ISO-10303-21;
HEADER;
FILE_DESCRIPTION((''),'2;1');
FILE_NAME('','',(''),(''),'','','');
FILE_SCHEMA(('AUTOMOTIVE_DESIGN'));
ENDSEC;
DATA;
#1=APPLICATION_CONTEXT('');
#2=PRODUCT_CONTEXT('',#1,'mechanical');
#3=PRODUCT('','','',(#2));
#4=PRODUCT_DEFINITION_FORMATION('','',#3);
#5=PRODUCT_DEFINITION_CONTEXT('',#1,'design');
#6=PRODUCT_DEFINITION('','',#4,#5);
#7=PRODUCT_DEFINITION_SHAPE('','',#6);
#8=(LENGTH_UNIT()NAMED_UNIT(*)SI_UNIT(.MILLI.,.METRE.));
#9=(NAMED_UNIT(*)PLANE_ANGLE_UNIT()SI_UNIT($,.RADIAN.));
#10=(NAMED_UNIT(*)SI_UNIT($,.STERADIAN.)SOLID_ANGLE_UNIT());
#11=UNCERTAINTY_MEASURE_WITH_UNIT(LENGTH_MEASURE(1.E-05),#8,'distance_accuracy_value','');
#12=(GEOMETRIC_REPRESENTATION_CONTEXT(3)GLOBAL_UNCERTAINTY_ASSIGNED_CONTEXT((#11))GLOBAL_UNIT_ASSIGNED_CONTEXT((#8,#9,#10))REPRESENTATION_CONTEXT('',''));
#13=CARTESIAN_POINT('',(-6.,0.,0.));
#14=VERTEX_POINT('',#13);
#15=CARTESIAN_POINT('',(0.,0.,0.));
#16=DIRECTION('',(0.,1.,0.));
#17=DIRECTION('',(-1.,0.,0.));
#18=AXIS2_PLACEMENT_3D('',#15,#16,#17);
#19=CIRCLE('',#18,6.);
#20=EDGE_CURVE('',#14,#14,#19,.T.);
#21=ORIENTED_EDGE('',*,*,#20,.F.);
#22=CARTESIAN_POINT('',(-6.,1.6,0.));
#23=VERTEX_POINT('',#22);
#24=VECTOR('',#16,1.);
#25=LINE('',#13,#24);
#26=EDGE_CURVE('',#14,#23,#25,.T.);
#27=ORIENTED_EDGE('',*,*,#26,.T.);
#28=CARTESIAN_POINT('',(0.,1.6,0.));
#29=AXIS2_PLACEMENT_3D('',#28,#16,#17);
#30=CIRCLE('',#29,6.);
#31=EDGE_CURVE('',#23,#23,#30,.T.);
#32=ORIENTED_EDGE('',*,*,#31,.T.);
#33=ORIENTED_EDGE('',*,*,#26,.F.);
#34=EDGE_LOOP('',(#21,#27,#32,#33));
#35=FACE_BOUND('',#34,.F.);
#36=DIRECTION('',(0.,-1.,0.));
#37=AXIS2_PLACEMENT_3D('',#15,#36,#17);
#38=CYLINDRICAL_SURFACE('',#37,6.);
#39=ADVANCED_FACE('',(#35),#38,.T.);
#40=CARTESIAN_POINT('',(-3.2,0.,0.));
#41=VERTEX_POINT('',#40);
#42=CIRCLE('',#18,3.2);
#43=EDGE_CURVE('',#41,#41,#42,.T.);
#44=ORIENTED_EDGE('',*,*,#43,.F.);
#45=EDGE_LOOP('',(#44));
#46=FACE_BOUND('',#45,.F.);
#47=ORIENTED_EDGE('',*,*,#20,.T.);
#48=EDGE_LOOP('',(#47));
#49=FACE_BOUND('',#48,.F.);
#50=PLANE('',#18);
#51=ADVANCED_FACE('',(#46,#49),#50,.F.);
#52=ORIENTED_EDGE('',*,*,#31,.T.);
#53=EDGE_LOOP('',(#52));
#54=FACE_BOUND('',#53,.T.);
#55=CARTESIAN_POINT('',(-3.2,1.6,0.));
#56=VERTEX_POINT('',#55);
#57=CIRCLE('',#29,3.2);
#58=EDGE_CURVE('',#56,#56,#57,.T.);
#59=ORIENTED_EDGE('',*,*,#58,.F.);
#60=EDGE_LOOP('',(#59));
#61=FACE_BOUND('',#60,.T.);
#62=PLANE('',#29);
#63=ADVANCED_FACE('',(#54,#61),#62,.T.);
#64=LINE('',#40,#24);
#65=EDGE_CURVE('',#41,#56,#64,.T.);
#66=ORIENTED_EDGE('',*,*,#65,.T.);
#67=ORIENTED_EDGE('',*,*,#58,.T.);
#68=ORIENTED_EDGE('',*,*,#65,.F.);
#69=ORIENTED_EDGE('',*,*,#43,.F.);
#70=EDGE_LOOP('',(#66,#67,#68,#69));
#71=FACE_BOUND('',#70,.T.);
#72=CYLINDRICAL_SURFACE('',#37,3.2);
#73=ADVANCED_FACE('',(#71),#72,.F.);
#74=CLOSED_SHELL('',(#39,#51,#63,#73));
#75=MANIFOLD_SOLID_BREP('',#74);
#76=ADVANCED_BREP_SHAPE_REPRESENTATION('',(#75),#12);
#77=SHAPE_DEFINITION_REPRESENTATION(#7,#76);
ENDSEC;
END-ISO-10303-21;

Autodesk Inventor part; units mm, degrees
ref_plane "YZ Plane" through (0, 0, 0) normal (1, 0, 0) x (0, 1, 0)
ref_plane "XZ Plane" through (0, 0, 0) normal (0, 1, 0) x (-1, 0, 0)
ref_plane "XY Plane" through (0, 0, 0) normal (0, 0, 1) x (1, 0, 0)
sketch "Boceto1" plane through (0, 0, 0) normal (0, 1, 0) x (-1, 0, 0)
  circle A0 centre (0, 0) radius 3.2
  circle A1 centre (0, 0) radius 6
  dimension "d0" = 6.4
  dimension "d1" = 12
extrude "Extrusión1" add sketch "Boceto1" along normal blind 1.6
properties part number "Arandela plana tipo A DIN 125 M6"
